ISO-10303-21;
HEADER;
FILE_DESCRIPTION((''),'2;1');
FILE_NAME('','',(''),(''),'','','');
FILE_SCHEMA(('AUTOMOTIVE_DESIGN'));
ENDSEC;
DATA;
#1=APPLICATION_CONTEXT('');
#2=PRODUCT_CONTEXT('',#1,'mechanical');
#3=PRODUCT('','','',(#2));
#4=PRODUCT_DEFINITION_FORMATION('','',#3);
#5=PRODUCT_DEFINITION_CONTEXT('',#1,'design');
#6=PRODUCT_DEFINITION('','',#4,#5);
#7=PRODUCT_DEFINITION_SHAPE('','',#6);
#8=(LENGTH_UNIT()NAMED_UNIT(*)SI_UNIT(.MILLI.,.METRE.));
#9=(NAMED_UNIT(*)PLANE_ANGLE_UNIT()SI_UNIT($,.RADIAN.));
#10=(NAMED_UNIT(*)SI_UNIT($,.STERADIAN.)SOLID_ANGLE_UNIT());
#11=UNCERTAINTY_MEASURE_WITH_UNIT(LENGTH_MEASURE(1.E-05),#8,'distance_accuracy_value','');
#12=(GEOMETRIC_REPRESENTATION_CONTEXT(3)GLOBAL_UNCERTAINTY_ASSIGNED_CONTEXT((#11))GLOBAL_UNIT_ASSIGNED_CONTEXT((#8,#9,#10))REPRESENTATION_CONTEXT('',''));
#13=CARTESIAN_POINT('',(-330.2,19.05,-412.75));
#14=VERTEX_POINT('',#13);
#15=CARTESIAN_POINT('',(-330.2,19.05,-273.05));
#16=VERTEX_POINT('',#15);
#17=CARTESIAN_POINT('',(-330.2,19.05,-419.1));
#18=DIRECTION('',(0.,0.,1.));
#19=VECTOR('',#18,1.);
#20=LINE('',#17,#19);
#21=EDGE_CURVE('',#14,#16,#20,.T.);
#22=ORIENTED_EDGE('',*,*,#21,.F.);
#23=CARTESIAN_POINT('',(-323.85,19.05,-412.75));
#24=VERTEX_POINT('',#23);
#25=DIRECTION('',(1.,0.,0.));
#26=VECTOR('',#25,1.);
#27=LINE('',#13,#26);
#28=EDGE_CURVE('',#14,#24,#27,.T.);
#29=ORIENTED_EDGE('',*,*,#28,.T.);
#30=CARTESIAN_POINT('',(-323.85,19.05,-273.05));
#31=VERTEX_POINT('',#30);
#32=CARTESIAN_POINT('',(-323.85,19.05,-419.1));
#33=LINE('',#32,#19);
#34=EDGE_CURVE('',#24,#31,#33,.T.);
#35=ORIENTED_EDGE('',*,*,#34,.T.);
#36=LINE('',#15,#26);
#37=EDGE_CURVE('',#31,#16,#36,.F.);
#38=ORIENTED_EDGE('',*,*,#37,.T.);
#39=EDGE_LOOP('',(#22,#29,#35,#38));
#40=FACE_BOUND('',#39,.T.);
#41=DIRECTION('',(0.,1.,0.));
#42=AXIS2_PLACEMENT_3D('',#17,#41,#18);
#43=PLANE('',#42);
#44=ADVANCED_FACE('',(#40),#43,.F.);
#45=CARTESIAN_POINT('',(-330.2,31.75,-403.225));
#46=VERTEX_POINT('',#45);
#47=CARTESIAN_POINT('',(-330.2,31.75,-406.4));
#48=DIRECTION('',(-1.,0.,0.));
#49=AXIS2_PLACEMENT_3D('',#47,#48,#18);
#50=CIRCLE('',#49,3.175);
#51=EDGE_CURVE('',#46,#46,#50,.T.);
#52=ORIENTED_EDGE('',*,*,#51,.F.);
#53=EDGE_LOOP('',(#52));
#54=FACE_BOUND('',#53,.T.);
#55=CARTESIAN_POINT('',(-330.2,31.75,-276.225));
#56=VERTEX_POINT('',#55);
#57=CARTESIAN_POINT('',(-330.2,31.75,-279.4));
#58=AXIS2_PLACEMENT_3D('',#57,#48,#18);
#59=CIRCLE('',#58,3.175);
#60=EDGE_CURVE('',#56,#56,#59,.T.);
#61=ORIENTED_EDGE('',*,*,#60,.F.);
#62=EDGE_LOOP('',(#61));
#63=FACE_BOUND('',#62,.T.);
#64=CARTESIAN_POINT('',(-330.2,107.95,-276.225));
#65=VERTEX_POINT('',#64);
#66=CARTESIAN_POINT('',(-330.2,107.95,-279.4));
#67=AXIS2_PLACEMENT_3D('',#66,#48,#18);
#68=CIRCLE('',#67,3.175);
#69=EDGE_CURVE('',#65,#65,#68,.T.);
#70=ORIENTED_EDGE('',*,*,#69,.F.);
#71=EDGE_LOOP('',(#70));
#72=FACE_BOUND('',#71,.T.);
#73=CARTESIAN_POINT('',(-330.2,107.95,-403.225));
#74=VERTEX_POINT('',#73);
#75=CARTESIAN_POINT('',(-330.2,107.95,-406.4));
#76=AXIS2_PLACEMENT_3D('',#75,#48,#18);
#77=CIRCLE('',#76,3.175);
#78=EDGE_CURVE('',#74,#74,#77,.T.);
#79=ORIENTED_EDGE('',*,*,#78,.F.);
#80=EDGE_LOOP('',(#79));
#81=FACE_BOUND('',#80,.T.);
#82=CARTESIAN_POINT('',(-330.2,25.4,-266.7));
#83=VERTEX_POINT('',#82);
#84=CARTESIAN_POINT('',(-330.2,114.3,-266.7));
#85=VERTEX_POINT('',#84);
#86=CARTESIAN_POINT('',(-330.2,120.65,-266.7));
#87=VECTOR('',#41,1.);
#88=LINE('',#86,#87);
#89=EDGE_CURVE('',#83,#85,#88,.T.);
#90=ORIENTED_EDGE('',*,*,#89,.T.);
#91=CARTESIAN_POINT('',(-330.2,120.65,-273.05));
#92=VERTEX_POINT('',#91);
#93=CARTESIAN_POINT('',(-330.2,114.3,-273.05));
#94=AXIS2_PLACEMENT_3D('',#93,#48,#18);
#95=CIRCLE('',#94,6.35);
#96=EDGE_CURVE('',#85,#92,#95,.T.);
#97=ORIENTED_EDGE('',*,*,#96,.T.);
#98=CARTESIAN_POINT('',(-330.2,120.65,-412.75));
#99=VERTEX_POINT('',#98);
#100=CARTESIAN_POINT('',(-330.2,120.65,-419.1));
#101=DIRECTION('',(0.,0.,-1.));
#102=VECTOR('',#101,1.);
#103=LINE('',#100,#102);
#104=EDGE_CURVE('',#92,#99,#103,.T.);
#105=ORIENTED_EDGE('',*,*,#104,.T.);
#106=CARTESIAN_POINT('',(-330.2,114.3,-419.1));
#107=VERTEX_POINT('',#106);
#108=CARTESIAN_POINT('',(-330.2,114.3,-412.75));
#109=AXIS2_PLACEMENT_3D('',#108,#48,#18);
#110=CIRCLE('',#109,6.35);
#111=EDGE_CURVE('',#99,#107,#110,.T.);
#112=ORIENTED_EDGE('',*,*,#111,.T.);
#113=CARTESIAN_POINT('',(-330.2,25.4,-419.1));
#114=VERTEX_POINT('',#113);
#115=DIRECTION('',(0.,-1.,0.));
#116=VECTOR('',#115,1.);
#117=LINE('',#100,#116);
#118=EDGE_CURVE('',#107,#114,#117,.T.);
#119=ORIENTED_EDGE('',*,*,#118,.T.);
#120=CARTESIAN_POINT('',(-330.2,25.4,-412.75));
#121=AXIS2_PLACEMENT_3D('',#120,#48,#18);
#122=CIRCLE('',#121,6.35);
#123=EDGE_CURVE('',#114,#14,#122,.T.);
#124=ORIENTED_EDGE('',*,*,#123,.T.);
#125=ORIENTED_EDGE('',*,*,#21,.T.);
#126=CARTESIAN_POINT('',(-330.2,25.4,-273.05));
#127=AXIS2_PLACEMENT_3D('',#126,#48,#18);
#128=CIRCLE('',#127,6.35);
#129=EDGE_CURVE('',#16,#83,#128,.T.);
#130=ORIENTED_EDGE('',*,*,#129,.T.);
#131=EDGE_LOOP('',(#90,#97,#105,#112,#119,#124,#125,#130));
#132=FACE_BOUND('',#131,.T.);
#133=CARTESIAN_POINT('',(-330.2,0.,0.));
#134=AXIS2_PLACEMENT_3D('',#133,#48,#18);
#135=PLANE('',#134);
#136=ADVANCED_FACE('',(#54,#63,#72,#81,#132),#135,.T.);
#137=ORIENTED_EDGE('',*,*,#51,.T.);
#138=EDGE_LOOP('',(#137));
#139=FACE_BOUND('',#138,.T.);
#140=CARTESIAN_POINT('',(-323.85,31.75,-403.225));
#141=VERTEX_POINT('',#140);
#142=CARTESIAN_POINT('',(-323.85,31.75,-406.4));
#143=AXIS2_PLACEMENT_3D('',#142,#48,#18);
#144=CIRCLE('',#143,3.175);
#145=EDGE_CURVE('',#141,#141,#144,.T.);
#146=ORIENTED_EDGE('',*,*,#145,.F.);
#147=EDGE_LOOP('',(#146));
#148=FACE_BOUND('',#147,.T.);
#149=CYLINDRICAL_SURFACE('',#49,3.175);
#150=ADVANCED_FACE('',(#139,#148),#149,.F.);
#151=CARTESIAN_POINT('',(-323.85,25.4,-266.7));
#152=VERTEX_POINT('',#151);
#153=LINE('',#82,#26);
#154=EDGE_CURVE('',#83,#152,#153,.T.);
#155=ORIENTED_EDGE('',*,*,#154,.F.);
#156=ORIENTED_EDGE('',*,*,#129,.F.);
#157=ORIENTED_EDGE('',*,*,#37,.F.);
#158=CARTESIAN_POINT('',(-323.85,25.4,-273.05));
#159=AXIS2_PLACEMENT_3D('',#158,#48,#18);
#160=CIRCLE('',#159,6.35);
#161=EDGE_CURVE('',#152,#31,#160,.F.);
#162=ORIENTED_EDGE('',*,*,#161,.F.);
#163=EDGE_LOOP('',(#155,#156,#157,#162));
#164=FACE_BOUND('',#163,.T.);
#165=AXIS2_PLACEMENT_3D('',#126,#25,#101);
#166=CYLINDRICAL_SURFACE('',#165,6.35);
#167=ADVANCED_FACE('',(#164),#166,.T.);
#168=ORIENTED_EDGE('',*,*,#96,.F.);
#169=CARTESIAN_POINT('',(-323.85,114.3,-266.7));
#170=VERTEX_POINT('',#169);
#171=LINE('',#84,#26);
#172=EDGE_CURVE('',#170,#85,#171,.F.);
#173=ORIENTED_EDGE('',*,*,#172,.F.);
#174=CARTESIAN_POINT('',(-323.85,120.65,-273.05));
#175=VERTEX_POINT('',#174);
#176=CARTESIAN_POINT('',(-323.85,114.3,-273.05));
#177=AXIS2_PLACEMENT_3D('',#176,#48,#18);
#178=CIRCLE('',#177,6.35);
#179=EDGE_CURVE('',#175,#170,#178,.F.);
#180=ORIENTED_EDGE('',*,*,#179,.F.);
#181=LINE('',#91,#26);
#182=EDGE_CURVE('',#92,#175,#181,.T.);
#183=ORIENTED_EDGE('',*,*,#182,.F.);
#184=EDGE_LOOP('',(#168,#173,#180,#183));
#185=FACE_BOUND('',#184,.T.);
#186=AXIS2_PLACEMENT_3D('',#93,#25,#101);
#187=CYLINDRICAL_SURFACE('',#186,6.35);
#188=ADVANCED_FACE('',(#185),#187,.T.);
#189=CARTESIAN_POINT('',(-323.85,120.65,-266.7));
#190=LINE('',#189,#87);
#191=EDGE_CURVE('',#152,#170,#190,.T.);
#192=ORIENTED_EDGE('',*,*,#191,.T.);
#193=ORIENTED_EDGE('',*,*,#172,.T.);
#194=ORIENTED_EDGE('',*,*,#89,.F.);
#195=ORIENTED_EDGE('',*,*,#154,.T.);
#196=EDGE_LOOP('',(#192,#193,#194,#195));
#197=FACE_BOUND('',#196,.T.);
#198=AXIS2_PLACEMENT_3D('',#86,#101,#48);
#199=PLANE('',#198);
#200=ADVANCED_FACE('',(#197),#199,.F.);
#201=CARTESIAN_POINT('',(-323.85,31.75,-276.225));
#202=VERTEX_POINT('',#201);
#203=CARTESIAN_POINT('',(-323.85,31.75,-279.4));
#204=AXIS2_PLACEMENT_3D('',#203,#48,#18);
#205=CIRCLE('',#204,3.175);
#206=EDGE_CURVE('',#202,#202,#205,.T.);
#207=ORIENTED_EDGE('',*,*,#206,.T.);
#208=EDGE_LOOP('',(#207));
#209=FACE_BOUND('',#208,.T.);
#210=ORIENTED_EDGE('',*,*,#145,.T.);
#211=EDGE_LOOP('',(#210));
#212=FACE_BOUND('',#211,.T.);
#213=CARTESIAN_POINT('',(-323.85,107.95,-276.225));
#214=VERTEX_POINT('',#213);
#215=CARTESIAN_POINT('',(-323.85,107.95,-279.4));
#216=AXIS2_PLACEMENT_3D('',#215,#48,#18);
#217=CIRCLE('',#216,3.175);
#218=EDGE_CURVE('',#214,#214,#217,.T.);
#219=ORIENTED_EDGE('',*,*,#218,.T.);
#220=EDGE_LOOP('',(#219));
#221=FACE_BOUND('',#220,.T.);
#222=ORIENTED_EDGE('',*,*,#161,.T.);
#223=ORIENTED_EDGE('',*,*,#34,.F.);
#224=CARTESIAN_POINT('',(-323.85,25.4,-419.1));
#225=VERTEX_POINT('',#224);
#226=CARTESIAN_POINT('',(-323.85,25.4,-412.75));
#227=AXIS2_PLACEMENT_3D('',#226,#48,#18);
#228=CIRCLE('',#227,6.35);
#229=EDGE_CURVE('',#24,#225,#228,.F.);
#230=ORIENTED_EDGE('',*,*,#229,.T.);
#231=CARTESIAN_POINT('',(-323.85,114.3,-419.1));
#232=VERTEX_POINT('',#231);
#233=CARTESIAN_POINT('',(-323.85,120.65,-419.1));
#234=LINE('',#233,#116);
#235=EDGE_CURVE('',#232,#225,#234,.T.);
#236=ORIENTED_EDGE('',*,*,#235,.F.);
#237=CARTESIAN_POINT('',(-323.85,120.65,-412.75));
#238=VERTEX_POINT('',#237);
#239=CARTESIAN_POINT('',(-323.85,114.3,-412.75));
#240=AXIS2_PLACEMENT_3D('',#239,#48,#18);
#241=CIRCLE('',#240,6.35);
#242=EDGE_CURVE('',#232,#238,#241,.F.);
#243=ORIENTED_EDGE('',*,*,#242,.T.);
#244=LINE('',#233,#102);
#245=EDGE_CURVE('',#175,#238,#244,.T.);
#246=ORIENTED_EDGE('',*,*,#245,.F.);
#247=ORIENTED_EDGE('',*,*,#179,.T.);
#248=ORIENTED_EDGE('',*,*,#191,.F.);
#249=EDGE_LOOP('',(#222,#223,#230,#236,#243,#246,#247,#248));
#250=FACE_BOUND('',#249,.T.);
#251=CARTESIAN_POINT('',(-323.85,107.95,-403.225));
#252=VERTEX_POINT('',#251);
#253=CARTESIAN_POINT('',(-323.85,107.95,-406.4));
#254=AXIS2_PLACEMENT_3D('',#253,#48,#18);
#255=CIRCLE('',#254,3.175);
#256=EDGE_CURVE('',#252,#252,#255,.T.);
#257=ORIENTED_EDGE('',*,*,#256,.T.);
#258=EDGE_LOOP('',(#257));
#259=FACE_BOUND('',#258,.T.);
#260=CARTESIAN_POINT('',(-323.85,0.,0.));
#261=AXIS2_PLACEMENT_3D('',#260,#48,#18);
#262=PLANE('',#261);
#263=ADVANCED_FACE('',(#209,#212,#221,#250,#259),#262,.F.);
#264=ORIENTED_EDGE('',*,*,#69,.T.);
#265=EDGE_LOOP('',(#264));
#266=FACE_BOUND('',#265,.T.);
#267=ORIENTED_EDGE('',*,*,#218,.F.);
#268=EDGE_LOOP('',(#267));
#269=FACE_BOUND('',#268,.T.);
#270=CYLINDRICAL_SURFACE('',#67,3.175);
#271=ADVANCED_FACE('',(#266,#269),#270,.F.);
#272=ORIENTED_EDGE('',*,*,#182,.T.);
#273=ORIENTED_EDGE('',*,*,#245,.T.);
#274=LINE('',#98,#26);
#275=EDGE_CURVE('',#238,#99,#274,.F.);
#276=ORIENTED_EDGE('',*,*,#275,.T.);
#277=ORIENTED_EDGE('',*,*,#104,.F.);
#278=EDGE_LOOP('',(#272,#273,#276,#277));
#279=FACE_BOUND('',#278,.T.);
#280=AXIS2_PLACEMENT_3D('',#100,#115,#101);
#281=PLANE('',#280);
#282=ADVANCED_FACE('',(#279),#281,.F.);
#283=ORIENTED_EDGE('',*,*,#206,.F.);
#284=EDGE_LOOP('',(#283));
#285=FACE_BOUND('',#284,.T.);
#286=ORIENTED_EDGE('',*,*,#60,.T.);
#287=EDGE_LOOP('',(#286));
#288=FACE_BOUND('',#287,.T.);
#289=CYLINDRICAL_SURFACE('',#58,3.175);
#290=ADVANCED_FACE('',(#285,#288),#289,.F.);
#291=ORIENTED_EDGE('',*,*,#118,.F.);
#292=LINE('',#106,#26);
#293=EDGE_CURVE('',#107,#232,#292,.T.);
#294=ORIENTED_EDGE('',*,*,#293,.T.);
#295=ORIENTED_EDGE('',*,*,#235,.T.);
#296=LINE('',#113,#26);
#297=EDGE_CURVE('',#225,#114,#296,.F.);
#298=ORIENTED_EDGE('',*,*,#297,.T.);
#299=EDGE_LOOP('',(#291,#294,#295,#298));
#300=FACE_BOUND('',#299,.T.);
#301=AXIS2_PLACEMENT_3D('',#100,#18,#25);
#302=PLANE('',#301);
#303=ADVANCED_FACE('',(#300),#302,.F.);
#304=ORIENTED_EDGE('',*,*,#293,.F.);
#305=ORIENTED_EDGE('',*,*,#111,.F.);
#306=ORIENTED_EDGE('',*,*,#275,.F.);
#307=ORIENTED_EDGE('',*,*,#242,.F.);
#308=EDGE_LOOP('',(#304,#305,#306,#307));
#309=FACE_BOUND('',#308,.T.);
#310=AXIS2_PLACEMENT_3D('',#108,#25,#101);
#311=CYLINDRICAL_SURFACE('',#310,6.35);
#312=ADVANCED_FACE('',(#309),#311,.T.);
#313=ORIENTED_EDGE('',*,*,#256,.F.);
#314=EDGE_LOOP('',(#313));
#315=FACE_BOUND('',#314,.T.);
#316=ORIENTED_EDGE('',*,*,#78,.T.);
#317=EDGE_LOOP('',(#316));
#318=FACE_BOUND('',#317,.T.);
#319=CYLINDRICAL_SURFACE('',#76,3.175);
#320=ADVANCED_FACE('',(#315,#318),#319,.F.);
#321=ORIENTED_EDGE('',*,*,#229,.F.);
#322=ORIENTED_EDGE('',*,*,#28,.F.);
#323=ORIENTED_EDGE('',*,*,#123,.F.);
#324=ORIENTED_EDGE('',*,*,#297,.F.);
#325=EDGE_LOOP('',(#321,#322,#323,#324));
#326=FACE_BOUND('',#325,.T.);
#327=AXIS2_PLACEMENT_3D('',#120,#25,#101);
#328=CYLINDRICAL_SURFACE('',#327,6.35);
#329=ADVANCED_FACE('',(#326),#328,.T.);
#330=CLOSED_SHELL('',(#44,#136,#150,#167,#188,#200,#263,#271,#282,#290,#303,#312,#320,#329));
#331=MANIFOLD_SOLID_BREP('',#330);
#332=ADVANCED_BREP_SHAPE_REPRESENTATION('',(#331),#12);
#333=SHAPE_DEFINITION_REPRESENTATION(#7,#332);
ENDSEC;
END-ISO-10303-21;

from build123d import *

# Parameters (mm, degrees)
SKETCH1_W                   = 152.4
SKETCH1_H                   = 101.6
BOSS_EXTRUDE1_DEPTH         = 6.35
F_1_4_0_25_DIAMETER_HOLE1_D = 6.35
LPATTERN1_COUNT             = 2
LPATTERN1_PITCH             = 76.2
LPATTERN1_COUNT_DIR2        = 2
LPATTERN1_PITCH_DIR2        = 127
FILLET1_R                   = 6.35


with BuildPart() as part:
    # Sketch1 → Boss-Extrude1 (new body)
    with BuildSketch(Plane.ZY.offset(323.85)):
        with Locations((-342.9, 69.85)):
            Rectangle(SKETCH1_W, SKETCH1_H)
    extrude(amount=BOSS_EXTRUDE1_DEPTH)

    # 1/4 (0.25) Diameter Hole1 (through all)
    with Locations(Plane.ZY.offset(330.2)):
        with Locations((-406.4, 31.75)):
            f_1_4_0_25_diameter_hole1 = Hole(F_1_4_0_25_DIAMETER_HOLE1_D / 2)

    # LPattern1: 1_4 _0.25_ Diameter Hole1 2 × 2
    with Locations(*[(0, i * LPATTERN1_PITCH, j * LPATTERN1_PITCH_DIR2) for i in range(LPATTERN1_COUNT) for j in range(LPATTERN1_COUNT_DIR2) if (i, j) != (0, 0)]):
        add(f_1_4_0_25_diameter_hole1, mode=Mode.SUBTRACT)

    # Fillet1
    fillet1_edges = [part.edges().sort_by_distance(p)[0] for p in [
        (-327.025, 120.65, -419.1),
        (-327.025, 120.65, -266.7),
        (-327.025, 19.05, -266.7),
        (-327.025, 19.05, -419.1),
    ]]
    fillet(fillet1_edges, radius=FILLET1_R)


solid = part.part
